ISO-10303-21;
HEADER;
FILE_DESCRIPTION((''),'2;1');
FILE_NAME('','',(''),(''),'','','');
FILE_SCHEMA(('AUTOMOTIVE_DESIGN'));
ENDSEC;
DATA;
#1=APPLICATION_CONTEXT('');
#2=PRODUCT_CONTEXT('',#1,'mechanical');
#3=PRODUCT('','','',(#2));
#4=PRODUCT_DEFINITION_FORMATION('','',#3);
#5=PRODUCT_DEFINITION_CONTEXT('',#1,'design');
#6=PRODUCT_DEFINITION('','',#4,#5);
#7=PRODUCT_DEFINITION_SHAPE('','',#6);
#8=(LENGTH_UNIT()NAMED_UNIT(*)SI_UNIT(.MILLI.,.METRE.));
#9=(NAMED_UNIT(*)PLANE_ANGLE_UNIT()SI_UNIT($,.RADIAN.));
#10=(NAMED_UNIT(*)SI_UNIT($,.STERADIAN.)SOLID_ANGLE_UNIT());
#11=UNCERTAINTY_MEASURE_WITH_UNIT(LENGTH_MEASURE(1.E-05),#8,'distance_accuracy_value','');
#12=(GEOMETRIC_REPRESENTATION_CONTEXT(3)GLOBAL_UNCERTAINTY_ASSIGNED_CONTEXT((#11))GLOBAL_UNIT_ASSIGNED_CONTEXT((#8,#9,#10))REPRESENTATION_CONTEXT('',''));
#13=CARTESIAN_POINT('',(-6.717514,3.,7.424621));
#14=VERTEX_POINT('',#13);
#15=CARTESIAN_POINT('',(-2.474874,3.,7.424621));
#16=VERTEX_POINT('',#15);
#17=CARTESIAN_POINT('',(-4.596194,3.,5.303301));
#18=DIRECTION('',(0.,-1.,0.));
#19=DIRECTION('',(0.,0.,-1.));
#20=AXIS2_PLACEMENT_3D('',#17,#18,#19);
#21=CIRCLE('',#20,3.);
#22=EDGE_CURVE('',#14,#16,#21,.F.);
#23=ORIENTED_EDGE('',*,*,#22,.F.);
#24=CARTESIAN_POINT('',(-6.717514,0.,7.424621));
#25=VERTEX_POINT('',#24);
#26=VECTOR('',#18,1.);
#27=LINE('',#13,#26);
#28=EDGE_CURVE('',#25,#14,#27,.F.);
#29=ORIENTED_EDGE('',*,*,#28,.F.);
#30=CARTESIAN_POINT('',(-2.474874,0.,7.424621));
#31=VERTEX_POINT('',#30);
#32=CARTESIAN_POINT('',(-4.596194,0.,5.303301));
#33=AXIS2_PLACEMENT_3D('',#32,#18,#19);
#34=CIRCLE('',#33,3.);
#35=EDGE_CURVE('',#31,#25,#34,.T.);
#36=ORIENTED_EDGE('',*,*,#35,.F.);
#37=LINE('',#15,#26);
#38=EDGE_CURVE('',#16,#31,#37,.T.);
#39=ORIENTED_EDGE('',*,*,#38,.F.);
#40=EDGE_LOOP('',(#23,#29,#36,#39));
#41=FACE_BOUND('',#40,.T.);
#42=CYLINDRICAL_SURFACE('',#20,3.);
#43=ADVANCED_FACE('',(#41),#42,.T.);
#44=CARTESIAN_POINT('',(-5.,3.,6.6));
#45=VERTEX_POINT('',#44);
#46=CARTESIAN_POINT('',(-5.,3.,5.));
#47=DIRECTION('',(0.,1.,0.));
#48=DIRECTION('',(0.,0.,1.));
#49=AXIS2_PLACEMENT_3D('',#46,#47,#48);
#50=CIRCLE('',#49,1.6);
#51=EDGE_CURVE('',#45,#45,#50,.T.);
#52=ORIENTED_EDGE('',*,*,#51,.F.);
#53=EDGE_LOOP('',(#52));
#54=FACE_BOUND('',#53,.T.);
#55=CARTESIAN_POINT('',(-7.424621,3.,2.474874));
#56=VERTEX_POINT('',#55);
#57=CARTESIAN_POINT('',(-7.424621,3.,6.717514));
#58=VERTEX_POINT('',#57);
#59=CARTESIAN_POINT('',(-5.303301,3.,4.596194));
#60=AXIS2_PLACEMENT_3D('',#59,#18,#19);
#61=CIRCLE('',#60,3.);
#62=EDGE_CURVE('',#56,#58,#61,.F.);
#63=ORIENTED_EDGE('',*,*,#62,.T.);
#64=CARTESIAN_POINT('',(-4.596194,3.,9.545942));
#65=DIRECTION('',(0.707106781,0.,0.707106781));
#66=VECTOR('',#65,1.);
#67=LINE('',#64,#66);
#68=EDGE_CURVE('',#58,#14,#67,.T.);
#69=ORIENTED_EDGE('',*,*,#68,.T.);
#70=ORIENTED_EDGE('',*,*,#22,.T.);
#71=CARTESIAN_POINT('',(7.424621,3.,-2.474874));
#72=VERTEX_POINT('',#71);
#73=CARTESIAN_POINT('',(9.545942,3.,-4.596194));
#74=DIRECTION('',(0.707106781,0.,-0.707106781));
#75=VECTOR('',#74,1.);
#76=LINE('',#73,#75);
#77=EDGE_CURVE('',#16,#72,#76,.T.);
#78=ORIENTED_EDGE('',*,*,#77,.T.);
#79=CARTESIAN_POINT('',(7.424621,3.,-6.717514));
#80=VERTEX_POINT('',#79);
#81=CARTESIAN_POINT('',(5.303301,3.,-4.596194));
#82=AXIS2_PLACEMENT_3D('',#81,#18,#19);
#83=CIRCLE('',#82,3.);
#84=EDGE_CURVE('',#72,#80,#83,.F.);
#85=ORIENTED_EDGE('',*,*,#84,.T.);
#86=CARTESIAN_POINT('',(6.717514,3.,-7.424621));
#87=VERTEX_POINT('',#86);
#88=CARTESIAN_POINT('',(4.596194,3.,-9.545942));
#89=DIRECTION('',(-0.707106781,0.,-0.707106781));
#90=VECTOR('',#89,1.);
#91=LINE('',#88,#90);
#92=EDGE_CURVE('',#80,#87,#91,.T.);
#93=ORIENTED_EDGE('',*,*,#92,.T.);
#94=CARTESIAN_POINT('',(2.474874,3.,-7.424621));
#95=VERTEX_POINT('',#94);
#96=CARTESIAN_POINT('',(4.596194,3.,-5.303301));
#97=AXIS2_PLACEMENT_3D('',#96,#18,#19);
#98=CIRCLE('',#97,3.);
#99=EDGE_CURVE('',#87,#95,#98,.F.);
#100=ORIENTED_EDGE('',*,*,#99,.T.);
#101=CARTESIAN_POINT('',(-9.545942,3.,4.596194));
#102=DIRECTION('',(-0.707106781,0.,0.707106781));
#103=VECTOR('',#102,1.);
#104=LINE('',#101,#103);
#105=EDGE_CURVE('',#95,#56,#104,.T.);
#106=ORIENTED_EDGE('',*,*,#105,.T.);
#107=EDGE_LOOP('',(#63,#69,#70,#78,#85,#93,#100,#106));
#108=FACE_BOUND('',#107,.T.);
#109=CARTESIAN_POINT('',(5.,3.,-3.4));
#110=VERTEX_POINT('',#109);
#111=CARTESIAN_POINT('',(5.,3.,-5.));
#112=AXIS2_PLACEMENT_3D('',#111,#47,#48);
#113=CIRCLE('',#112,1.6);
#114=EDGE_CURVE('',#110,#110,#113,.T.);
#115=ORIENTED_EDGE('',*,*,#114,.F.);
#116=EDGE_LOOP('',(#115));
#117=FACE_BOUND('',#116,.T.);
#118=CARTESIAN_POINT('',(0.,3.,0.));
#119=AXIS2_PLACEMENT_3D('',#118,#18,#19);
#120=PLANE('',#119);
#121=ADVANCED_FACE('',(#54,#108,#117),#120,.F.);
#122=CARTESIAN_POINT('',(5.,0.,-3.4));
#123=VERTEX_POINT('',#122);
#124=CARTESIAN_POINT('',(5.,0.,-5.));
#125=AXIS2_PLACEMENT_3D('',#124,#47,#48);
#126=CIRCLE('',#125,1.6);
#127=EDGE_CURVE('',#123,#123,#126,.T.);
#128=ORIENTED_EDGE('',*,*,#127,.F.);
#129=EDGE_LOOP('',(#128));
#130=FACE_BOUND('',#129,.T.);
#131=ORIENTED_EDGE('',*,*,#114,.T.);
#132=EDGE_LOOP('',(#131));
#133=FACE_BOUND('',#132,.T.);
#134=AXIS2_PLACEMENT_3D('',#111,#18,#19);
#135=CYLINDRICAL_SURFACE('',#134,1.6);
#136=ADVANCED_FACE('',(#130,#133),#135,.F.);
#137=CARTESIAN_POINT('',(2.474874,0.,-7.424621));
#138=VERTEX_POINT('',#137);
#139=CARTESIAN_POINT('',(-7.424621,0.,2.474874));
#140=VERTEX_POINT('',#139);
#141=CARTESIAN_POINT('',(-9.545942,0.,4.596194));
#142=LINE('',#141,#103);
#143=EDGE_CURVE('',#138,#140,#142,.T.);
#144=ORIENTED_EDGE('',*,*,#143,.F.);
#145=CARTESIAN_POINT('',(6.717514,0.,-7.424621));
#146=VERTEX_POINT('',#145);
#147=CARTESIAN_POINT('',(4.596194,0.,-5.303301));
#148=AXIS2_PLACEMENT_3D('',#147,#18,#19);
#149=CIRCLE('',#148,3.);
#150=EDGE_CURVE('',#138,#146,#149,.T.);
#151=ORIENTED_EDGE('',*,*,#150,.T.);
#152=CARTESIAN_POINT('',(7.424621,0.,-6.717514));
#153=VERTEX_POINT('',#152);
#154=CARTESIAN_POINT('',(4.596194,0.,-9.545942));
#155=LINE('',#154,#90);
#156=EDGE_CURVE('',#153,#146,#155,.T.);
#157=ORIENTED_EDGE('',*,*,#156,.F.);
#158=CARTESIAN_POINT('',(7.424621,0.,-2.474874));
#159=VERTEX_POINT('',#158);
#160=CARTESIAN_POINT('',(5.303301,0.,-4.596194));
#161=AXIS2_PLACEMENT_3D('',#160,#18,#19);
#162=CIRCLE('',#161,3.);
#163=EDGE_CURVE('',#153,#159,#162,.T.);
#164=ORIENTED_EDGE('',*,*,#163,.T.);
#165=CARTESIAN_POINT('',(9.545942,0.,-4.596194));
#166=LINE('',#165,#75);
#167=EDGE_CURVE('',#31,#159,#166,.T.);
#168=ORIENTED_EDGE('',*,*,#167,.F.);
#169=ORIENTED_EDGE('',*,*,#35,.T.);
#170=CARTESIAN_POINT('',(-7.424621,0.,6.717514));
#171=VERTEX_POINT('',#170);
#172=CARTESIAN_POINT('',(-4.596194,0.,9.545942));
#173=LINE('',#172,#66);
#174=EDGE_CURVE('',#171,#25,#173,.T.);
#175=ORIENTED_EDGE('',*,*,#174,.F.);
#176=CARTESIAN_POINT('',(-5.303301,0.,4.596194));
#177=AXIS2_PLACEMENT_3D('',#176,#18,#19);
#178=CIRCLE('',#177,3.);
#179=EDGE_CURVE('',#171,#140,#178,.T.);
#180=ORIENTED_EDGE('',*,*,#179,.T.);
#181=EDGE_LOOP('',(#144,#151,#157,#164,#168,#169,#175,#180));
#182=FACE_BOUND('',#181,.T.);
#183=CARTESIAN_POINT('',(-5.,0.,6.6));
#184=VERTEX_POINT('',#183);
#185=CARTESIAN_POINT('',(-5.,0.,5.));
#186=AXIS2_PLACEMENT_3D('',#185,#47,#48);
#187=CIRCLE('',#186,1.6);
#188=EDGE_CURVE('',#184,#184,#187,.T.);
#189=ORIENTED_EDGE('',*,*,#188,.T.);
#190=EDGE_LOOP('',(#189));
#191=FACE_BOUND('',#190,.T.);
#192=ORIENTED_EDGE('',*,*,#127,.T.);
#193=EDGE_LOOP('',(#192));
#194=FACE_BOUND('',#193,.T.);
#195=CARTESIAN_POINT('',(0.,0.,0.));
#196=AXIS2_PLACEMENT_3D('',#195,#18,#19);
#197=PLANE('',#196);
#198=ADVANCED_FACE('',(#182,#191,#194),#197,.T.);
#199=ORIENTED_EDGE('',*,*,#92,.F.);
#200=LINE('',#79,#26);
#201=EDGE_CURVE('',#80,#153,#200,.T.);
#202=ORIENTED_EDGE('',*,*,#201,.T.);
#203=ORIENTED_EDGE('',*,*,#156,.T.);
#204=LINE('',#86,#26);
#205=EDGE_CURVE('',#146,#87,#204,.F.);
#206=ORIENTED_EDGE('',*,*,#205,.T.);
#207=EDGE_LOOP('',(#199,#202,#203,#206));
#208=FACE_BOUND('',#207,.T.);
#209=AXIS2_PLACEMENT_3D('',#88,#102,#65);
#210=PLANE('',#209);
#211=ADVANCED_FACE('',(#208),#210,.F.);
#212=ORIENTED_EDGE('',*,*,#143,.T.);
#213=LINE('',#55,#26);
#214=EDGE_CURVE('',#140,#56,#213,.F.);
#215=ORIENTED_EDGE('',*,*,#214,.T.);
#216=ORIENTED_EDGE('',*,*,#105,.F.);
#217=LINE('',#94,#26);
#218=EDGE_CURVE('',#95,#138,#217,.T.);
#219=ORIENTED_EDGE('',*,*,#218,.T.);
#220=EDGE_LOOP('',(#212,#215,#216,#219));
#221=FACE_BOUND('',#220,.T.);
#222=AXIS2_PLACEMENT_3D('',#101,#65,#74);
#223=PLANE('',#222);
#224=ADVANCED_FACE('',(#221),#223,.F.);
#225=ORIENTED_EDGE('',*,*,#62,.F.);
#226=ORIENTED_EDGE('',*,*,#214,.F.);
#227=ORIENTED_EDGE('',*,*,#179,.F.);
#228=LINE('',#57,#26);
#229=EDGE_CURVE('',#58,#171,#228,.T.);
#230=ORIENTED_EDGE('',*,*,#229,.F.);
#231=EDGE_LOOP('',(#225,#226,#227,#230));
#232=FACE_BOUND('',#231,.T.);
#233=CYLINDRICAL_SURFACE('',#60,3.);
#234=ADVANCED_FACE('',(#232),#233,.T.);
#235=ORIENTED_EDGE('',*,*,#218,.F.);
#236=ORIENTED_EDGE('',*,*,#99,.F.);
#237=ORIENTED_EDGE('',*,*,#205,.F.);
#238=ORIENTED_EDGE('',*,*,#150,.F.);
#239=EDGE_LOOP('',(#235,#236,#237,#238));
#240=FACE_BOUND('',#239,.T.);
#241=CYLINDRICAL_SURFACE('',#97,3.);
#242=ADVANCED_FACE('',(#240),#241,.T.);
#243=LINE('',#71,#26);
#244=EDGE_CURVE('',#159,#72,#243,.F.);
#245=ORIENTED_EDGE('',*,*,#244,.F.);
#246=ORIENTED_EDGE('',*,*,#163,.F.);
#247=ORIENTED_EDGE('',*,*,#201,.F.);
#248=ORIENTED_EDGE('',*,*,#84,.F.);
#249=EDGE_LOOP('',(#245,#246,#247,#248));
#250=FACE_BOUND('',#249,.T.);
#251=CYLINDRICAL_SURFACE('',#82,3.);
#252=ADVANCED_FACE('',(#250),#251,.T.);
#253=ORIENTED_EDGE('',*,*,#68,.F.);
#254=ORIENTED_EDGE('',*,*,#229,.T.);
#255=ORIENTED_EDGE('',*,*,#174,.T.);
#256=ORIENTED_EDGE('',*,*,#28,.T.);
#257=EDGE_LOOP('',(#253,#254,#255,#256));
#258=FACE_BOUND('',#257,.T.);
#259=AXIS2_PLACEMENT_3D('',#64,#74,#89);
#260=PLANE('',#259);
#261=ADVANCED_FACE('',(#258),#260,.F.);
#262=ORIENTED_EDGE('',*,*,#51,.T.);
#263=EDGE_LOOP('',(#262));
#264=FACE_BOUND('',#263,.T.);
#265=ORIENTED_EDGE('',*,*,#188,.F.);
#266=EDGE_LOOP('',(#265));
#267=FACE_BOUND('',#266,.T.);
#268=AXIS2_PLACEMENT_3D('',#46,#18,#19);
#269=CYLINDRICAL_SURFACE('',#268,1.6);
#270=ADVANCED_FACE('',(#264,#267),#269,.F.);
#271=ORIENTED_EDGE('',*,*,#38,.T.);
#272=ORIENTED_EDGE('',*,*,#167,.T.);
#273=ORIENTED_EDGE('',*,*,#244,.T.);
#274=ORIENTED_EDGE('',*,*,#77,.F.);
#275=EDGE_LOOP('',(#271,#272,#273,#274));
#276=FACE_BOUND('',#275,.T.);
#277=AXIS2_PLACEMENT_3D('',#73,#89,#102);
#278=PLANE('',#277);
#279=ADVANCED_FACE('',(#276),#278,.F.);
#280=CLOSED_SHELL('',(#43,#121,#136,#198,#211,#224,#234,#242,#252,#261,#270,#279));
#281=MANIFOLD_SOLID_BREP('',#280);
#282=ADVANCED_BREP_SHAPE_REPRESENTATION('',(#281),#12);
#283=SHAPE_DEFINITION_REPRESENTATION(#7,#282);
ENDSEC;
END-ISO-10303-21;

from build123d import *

# Parameters (mm, degrees)
CROQUIS1_R              = 1.6
SALIENTE_EXTRUIR1_DEPTH = 3
REDONDEO1_R             = 3


with BuildPart() as part:
    # Croquis1 → Saliente-Extruir1 (new body)
    with BuildSketch(Plane(origin=(0, 0, 0), x_dir=(1, 0, 0), z_dir=(0, 1, 0))):
        Polygon((-9.545941546, -4.596194078), (4.596194078, 9.545941546), (9.545941546, 4.596194078), (-4.596194078, -9.545941546), align=None)
        with Locations(Location((-5, -5, 0), (0, 0, 270))):
            Circle(CROQUIS1_R, mode=Mode.SUBTRACT)
        with Locations(Location((5, 5, 0), (0, 0, 270))):
            Circle(CROQUIS1_R, mode=Mode.SUBTRACT)
    extrude(amount=SALIENTE_EXTRUIR1_DEPTH)

    # Redondeo1
    redondeo1_edges = [part.edges().sort_by_distance(p)[0] for p in [
        (-9.545941546, 1.5, 4.596194078),
        (4.596194078, 1.5, -9.545941546),
        (9.545941546, 1.5, -4.596194078),
        (-4.596194078, 1.5, 9.545941546),
    ]]
    fillet(redondeo1_edges, radius=REDONDEO1_R)


solid = part.part
